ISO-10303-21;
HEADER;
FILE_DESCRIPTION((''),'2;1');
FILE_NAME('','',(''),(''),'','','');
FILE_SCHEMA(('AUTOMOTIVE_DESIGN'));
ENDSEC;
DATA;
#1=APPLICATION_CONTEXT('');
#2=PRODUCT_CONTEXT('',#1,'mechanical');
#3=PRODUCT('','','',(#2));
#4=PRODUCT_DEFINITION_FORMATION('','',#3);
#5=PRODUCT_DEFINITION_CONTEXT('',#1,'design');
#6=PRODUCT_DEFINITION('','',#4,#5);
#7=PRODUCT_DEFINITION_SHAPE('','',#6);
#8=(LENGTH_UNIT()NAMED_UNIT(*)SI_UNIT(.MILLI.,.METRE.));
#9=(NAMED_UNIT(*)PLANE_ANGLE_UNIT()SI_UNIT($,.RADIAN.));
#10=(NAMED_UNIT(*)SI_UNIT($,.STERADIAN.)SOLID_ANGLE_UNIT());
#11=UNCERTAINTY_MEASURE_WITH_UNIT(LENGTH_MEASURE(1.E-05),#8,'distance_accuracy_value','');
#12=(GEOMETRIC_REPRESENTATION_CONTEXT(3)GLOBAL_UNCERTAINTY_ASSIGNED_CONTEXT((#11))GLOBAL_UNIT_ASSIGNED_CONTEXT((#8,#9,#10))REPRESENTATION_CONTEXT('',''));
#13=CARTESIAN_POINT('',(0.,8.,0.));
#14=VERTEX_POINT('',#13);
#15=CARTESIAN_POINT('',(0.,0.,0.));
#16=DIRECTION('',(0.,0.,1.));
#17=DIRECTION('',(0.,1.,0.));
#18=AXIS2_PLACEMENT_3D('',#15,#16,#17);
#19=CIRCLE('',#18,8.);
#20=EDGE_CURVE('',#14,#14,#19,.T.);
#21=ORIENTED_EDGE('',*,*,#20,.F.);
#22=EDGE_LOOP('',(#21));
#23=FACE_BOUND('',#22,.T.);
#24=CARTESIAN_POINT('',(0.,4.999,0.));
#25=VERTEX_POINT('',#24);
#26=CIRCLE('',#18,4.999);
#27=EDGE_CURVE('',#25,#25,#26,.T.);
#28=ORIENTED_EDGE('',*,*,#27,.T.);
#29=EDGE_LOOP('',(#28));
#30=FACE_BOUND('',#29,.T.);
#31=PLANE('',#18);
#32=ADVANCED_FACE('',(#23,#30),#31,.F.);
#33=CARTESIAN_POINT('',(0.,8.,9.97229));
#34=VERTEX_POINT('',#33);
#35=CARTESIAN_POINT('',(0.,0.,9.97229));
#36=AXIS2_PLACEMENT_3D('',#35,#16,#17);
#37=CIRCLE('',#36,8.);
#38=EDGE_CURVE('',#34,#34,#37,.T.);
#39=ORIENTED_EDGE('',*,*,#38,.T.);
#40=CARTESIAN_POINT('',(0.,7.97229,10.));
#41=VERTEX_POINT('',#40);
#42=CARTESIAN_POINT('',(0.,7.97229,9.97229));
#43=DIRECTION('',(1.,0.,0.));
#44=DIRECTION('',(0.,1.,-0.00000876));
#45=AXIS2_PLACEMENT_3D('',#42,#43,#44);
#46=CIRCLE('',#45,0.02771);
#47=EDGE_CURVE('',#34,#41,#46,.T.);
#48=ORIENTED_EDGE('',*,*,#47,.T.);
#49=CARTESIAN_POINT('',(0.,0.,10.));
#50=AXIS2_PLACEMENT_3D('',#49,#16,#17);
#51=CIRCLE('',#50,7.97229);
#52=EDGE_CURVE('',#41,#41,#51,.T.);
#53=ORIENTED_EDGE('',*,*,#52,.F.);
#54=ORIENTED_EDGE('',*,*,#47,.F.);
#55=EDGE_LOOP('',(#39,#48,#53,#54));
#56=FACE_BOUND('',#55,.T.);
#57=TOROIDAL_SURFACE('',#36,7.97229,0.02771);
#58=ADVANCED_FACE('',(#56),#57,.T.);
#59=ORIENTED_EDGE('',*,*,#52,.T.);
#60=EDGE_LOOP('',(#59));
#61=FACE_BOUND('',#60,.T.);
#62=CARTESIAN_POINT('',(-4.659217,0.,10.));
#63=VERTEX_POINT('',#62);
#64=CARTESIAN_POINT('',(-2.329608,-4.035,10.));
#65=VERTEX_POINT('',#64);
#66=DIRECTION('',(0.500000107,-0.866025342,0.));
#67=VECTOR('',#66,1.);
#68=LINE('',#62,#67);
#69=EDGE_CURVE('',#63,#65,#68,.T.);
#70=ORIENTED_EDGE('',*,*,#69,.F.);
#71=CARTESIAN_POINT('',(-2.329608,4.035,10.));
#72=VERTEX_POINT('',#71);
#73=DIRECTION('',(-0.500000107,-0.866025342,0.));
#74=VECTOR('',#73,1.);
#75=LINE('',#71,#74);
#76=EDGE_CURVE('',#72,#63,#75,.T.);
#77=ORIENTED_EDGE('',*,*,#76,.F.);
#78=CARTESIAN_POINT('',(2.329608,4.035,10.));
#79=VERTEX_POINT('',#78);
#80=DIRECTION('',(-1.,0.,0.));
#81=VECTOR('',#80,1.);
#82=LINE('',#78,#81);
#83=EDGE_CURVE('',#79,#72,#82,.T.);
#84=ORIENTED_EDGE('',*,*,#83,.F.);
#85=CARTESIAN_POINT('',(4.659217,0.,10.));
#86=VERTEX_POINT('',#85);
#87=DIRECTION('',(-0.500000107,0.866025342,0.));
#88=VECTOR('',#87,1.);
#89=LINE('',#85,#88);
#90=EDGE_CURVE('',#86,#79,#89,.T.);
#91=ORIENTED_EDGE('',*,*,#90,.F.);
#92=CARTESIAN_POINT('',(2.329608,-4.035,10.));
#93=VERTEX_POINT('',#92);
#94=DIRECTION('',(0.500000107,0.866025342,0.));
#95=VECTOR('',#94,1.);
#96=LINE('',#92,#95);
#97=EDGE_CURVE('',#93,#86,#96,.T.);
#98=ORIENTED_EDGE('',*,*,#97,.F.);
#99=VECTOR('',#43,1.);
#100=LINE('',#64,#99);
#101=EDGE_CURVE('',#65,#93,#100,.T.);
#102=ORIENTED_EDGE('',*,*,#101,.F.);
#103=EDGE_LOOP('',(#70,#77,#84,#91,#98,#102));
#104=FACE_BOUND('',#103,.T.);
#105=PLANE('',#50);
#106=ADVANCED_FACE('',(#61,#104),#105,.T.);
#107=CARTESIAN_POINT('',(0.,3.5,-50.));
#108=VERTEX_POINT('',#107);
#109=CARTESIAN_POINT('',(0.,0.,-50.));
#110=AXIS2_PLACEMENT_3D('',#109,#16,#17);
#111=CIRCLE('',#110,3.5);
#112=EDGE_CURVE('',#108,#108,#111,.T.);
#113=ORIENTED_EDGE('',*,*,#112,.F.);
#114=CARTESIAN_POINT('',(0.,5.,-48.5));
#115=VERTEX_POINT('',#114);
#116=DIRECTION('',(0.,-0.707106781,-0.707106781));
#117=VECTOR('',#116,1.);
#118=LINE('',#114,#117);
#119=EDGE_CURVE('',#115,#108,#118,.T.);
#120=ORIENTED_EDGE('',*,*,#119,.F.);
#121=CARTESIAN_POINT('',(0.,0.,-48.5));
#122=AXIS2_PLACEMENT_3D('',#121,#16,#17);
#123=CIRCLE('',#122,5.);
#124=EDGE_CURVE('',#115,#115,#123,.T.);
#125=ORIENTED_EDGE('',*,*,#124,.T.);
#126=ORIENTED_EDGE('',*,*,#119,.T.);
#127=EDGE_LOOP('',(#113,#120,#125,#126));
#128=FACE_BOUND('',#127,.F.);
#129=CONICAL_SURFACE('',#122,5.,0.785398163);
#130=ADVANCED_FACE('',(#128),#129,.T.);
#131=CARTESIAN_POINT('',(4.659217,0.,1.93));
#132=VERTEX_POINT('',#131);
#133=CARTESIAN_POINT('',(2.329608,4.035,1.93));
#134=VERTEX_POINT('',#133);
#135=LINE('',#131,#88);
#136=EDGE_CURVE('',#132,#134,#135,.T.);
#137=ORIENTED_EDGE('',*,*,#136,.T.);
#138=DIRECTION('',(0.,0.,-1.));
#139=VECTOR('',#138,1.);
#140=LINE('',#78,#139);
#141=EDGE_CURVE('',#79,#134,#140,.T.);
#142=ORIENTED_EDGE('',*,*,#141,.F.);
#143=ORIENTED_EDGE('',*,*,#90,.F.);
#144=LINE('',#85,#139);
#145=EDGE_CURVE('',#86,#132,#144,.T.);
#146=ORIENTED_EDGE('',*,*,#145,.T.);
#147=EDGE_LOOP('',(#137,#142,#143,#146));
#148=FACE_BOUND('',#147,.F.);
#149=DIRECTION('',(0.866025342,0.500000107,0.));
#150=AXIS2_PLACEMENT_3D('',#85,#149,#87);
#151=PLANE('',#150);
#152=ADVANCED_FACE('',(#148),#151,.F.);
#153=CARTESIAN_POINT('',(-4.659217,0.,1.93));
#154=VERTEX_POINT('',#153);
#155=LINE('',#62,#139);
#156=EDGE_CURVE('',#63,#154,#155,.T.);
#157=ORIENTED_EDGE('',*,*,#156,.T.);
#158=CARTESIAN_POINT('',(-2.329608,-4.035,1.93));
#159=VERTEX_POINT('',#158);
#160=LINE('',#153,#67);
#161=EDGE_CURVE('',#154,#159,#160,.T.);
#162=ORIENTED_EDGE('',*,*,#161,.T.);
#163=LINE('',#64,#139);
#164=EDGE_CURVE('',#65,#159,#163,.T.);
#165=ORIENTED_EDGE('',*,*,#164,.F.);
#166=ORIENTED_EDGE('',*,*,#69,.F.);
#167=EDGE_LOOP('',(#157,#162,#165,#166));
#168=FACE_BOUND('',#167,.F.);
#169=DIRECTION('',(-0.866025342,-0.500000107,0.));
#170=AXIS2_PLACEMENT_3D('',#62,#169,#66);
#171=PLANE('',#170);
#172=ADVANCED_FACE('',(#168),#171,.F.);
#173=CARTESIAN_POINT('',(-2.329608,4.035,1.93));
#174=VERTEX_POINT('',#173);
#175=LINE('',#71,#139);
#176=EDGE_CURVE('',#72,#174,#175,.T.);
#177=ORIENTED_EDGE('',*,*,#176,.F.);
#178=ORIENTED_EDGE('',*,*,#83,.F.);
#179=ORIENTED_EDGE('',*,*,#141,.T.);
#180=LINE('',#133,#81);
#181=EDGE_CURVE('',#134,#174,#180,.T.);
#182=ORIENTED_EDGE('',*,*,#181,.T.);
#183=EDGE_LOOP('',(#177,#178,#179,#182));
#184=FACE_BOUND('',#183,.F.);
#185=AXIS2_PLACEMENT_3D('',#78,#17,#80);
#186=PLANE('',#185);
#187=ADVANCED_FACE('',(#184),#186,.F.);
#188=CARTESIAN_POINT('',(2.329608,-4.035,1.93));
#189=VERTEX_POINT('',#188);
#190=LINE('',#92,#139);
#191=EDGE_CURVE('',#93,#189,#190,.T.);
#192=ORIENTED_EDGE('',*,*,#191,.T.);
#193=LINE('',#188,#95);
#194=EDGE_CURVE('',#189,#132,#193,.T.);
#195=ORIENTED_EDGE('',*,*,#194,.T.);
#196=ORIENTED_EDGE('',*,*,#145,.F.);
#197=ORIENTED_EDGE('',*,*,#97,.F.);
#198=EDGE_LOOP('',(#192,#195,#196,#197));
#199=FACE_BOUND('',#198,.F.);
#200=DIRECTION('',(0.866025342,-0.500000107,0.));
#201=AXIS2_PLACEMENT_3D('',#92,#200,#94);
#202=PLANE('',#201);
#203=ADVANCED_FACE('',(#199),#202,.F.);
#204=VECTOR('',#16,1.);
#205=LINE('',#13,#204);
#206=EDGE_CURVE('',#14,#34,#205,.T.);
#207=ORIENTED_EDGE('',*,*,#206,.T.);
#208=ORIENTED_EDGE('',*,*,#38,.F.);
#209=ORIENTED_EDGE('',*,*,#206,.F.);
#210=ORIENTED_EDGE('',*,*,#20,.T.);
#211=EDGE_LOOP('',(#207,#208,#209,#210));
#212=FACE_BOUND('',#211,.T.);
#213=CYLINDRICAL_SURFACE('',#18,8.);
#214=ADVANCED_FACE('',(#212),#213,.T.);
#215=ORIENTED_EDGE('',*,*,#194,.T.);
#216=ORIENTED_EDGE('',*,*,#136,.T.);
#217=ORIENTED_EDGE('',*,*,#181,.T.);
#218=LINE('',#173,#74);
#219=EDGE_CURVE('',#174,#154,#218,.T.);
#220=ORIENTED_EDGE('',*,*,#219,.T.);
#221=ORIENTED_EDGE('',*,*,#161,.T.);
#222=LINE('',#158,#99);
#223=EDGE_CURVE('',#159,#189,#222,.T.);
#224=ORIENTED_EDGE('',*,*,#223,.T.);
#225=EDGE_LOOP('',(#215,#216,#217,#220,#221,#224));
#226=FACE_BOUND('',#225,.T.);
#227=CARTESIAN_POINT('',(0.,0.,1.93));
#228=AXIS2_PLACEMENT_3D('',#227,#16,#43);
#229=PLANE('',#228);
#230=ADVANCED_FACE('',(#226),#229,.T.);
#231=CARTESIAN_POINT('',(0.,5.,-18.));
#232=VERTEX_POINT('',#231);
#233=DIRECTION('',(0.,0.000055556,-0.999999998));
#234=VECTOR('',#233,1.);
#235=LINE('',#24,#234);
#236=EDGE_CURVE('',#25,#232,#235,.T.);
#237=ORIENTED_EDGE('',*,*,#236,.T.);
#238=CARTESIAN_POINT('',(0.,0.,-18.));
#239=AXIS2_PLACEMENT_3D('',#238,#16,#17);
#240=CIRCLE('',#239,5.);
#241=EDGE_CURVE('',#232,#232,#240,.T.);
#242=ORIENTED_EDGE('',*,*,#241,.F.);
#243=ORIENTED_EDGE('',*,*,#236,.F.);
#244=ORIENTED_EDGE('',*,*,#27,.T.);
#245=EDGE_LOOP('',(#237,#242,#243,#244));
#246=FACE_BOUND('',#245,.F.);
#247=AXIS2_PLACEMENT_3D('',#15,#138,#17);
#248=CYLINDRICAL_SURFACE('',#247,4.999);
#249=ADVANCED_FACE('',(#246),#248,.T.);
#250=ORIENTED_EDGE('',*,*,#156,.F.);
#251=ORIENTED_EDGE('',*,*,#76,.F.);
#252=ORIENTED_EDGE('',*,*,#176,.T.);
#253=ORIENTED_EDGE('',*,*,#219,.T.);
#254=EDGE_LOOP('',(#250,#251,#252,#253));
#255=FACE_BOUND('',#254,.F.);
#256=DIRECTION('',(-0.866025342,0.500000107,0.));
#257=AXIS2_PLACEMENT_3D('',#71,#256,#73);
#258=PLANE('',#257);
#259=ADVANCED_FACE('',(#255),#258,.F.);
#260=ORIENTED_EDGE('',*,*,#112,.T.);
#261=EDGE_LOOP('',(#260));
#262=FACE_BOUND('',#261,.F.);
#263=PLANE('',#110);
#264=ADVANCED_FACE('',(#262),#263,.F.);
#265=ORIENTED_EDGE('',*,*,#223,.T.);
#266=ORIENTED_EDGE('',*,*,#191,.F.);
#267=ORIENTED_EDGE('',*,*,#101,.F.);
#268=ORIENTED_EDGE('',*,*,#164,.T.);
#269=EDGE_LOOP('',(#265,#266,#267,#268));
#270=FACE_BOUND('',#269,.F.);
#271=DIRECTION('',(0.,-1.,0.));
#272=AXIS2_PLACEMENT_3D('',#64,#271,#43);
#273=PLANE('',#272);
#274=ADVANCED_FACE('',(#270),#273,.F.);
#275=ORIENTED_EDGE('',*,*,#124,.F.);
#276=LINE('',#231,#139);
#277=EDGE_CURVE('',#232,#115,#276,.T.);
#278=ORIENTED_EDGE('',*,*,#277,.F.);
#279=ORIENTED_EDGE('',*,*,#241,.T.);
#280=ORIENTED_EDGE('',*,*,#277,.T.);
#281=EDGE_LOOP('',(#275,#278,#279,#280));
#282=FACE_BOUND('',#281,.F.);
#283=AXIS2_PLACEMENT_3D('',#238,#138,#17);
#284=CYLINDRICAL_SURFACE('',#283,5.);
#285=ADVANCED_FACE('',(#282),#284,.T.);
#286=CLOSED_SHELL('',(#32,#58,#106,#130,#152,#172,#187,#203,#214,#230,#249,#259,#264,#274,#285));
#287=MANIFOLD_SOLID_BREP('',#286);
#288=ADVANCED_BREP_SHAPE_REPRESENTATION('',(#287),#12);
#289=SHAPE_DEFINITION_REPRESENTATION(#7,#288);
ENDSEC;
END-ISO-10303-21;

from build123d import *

# Parameters (mm, degrees)
POCKET_DEPTH = 8.07


with BuildPart() as part:
    # Sketch → Revolve (revolve)
    with BuildSketch(Plane.YZ):
        with BuildLine():
            Line((4.999, 0), (8, 0))
            Line((8, 0), (8, 9.97229))
            ThreePointArc((8, 9.97229), (7.991884, 9.991884), (7.97229, 10))
            Line((7.97229, 10), (0, 10))
            Line((0, -50), (0, 10))
            Line((3.5, -50), (0, -50))
            Line((5, -48.5), (3.5, -50))
            Line((5, -18), (5, -48.5))
            Line((4.999, 0), (5, -18))
        make_face()
    revolve(axis=Axis((0, 0, 0), (0, 0, 1)))

    # Sketch001 → Pocket (cut)
    with BuildSketch(Plane.XY.offset(10)):
        Polygon((4.659217, 0), (2.329608, 4.035), (-2.329608, 4.035), (-4.659217, 0), (-2.329608, -4.035), (2.329608, -4.035), align=None)
    extrude(amount=-POCKET_DEPTH, mode=Mode.SUBTRACT)


solid = part.part
